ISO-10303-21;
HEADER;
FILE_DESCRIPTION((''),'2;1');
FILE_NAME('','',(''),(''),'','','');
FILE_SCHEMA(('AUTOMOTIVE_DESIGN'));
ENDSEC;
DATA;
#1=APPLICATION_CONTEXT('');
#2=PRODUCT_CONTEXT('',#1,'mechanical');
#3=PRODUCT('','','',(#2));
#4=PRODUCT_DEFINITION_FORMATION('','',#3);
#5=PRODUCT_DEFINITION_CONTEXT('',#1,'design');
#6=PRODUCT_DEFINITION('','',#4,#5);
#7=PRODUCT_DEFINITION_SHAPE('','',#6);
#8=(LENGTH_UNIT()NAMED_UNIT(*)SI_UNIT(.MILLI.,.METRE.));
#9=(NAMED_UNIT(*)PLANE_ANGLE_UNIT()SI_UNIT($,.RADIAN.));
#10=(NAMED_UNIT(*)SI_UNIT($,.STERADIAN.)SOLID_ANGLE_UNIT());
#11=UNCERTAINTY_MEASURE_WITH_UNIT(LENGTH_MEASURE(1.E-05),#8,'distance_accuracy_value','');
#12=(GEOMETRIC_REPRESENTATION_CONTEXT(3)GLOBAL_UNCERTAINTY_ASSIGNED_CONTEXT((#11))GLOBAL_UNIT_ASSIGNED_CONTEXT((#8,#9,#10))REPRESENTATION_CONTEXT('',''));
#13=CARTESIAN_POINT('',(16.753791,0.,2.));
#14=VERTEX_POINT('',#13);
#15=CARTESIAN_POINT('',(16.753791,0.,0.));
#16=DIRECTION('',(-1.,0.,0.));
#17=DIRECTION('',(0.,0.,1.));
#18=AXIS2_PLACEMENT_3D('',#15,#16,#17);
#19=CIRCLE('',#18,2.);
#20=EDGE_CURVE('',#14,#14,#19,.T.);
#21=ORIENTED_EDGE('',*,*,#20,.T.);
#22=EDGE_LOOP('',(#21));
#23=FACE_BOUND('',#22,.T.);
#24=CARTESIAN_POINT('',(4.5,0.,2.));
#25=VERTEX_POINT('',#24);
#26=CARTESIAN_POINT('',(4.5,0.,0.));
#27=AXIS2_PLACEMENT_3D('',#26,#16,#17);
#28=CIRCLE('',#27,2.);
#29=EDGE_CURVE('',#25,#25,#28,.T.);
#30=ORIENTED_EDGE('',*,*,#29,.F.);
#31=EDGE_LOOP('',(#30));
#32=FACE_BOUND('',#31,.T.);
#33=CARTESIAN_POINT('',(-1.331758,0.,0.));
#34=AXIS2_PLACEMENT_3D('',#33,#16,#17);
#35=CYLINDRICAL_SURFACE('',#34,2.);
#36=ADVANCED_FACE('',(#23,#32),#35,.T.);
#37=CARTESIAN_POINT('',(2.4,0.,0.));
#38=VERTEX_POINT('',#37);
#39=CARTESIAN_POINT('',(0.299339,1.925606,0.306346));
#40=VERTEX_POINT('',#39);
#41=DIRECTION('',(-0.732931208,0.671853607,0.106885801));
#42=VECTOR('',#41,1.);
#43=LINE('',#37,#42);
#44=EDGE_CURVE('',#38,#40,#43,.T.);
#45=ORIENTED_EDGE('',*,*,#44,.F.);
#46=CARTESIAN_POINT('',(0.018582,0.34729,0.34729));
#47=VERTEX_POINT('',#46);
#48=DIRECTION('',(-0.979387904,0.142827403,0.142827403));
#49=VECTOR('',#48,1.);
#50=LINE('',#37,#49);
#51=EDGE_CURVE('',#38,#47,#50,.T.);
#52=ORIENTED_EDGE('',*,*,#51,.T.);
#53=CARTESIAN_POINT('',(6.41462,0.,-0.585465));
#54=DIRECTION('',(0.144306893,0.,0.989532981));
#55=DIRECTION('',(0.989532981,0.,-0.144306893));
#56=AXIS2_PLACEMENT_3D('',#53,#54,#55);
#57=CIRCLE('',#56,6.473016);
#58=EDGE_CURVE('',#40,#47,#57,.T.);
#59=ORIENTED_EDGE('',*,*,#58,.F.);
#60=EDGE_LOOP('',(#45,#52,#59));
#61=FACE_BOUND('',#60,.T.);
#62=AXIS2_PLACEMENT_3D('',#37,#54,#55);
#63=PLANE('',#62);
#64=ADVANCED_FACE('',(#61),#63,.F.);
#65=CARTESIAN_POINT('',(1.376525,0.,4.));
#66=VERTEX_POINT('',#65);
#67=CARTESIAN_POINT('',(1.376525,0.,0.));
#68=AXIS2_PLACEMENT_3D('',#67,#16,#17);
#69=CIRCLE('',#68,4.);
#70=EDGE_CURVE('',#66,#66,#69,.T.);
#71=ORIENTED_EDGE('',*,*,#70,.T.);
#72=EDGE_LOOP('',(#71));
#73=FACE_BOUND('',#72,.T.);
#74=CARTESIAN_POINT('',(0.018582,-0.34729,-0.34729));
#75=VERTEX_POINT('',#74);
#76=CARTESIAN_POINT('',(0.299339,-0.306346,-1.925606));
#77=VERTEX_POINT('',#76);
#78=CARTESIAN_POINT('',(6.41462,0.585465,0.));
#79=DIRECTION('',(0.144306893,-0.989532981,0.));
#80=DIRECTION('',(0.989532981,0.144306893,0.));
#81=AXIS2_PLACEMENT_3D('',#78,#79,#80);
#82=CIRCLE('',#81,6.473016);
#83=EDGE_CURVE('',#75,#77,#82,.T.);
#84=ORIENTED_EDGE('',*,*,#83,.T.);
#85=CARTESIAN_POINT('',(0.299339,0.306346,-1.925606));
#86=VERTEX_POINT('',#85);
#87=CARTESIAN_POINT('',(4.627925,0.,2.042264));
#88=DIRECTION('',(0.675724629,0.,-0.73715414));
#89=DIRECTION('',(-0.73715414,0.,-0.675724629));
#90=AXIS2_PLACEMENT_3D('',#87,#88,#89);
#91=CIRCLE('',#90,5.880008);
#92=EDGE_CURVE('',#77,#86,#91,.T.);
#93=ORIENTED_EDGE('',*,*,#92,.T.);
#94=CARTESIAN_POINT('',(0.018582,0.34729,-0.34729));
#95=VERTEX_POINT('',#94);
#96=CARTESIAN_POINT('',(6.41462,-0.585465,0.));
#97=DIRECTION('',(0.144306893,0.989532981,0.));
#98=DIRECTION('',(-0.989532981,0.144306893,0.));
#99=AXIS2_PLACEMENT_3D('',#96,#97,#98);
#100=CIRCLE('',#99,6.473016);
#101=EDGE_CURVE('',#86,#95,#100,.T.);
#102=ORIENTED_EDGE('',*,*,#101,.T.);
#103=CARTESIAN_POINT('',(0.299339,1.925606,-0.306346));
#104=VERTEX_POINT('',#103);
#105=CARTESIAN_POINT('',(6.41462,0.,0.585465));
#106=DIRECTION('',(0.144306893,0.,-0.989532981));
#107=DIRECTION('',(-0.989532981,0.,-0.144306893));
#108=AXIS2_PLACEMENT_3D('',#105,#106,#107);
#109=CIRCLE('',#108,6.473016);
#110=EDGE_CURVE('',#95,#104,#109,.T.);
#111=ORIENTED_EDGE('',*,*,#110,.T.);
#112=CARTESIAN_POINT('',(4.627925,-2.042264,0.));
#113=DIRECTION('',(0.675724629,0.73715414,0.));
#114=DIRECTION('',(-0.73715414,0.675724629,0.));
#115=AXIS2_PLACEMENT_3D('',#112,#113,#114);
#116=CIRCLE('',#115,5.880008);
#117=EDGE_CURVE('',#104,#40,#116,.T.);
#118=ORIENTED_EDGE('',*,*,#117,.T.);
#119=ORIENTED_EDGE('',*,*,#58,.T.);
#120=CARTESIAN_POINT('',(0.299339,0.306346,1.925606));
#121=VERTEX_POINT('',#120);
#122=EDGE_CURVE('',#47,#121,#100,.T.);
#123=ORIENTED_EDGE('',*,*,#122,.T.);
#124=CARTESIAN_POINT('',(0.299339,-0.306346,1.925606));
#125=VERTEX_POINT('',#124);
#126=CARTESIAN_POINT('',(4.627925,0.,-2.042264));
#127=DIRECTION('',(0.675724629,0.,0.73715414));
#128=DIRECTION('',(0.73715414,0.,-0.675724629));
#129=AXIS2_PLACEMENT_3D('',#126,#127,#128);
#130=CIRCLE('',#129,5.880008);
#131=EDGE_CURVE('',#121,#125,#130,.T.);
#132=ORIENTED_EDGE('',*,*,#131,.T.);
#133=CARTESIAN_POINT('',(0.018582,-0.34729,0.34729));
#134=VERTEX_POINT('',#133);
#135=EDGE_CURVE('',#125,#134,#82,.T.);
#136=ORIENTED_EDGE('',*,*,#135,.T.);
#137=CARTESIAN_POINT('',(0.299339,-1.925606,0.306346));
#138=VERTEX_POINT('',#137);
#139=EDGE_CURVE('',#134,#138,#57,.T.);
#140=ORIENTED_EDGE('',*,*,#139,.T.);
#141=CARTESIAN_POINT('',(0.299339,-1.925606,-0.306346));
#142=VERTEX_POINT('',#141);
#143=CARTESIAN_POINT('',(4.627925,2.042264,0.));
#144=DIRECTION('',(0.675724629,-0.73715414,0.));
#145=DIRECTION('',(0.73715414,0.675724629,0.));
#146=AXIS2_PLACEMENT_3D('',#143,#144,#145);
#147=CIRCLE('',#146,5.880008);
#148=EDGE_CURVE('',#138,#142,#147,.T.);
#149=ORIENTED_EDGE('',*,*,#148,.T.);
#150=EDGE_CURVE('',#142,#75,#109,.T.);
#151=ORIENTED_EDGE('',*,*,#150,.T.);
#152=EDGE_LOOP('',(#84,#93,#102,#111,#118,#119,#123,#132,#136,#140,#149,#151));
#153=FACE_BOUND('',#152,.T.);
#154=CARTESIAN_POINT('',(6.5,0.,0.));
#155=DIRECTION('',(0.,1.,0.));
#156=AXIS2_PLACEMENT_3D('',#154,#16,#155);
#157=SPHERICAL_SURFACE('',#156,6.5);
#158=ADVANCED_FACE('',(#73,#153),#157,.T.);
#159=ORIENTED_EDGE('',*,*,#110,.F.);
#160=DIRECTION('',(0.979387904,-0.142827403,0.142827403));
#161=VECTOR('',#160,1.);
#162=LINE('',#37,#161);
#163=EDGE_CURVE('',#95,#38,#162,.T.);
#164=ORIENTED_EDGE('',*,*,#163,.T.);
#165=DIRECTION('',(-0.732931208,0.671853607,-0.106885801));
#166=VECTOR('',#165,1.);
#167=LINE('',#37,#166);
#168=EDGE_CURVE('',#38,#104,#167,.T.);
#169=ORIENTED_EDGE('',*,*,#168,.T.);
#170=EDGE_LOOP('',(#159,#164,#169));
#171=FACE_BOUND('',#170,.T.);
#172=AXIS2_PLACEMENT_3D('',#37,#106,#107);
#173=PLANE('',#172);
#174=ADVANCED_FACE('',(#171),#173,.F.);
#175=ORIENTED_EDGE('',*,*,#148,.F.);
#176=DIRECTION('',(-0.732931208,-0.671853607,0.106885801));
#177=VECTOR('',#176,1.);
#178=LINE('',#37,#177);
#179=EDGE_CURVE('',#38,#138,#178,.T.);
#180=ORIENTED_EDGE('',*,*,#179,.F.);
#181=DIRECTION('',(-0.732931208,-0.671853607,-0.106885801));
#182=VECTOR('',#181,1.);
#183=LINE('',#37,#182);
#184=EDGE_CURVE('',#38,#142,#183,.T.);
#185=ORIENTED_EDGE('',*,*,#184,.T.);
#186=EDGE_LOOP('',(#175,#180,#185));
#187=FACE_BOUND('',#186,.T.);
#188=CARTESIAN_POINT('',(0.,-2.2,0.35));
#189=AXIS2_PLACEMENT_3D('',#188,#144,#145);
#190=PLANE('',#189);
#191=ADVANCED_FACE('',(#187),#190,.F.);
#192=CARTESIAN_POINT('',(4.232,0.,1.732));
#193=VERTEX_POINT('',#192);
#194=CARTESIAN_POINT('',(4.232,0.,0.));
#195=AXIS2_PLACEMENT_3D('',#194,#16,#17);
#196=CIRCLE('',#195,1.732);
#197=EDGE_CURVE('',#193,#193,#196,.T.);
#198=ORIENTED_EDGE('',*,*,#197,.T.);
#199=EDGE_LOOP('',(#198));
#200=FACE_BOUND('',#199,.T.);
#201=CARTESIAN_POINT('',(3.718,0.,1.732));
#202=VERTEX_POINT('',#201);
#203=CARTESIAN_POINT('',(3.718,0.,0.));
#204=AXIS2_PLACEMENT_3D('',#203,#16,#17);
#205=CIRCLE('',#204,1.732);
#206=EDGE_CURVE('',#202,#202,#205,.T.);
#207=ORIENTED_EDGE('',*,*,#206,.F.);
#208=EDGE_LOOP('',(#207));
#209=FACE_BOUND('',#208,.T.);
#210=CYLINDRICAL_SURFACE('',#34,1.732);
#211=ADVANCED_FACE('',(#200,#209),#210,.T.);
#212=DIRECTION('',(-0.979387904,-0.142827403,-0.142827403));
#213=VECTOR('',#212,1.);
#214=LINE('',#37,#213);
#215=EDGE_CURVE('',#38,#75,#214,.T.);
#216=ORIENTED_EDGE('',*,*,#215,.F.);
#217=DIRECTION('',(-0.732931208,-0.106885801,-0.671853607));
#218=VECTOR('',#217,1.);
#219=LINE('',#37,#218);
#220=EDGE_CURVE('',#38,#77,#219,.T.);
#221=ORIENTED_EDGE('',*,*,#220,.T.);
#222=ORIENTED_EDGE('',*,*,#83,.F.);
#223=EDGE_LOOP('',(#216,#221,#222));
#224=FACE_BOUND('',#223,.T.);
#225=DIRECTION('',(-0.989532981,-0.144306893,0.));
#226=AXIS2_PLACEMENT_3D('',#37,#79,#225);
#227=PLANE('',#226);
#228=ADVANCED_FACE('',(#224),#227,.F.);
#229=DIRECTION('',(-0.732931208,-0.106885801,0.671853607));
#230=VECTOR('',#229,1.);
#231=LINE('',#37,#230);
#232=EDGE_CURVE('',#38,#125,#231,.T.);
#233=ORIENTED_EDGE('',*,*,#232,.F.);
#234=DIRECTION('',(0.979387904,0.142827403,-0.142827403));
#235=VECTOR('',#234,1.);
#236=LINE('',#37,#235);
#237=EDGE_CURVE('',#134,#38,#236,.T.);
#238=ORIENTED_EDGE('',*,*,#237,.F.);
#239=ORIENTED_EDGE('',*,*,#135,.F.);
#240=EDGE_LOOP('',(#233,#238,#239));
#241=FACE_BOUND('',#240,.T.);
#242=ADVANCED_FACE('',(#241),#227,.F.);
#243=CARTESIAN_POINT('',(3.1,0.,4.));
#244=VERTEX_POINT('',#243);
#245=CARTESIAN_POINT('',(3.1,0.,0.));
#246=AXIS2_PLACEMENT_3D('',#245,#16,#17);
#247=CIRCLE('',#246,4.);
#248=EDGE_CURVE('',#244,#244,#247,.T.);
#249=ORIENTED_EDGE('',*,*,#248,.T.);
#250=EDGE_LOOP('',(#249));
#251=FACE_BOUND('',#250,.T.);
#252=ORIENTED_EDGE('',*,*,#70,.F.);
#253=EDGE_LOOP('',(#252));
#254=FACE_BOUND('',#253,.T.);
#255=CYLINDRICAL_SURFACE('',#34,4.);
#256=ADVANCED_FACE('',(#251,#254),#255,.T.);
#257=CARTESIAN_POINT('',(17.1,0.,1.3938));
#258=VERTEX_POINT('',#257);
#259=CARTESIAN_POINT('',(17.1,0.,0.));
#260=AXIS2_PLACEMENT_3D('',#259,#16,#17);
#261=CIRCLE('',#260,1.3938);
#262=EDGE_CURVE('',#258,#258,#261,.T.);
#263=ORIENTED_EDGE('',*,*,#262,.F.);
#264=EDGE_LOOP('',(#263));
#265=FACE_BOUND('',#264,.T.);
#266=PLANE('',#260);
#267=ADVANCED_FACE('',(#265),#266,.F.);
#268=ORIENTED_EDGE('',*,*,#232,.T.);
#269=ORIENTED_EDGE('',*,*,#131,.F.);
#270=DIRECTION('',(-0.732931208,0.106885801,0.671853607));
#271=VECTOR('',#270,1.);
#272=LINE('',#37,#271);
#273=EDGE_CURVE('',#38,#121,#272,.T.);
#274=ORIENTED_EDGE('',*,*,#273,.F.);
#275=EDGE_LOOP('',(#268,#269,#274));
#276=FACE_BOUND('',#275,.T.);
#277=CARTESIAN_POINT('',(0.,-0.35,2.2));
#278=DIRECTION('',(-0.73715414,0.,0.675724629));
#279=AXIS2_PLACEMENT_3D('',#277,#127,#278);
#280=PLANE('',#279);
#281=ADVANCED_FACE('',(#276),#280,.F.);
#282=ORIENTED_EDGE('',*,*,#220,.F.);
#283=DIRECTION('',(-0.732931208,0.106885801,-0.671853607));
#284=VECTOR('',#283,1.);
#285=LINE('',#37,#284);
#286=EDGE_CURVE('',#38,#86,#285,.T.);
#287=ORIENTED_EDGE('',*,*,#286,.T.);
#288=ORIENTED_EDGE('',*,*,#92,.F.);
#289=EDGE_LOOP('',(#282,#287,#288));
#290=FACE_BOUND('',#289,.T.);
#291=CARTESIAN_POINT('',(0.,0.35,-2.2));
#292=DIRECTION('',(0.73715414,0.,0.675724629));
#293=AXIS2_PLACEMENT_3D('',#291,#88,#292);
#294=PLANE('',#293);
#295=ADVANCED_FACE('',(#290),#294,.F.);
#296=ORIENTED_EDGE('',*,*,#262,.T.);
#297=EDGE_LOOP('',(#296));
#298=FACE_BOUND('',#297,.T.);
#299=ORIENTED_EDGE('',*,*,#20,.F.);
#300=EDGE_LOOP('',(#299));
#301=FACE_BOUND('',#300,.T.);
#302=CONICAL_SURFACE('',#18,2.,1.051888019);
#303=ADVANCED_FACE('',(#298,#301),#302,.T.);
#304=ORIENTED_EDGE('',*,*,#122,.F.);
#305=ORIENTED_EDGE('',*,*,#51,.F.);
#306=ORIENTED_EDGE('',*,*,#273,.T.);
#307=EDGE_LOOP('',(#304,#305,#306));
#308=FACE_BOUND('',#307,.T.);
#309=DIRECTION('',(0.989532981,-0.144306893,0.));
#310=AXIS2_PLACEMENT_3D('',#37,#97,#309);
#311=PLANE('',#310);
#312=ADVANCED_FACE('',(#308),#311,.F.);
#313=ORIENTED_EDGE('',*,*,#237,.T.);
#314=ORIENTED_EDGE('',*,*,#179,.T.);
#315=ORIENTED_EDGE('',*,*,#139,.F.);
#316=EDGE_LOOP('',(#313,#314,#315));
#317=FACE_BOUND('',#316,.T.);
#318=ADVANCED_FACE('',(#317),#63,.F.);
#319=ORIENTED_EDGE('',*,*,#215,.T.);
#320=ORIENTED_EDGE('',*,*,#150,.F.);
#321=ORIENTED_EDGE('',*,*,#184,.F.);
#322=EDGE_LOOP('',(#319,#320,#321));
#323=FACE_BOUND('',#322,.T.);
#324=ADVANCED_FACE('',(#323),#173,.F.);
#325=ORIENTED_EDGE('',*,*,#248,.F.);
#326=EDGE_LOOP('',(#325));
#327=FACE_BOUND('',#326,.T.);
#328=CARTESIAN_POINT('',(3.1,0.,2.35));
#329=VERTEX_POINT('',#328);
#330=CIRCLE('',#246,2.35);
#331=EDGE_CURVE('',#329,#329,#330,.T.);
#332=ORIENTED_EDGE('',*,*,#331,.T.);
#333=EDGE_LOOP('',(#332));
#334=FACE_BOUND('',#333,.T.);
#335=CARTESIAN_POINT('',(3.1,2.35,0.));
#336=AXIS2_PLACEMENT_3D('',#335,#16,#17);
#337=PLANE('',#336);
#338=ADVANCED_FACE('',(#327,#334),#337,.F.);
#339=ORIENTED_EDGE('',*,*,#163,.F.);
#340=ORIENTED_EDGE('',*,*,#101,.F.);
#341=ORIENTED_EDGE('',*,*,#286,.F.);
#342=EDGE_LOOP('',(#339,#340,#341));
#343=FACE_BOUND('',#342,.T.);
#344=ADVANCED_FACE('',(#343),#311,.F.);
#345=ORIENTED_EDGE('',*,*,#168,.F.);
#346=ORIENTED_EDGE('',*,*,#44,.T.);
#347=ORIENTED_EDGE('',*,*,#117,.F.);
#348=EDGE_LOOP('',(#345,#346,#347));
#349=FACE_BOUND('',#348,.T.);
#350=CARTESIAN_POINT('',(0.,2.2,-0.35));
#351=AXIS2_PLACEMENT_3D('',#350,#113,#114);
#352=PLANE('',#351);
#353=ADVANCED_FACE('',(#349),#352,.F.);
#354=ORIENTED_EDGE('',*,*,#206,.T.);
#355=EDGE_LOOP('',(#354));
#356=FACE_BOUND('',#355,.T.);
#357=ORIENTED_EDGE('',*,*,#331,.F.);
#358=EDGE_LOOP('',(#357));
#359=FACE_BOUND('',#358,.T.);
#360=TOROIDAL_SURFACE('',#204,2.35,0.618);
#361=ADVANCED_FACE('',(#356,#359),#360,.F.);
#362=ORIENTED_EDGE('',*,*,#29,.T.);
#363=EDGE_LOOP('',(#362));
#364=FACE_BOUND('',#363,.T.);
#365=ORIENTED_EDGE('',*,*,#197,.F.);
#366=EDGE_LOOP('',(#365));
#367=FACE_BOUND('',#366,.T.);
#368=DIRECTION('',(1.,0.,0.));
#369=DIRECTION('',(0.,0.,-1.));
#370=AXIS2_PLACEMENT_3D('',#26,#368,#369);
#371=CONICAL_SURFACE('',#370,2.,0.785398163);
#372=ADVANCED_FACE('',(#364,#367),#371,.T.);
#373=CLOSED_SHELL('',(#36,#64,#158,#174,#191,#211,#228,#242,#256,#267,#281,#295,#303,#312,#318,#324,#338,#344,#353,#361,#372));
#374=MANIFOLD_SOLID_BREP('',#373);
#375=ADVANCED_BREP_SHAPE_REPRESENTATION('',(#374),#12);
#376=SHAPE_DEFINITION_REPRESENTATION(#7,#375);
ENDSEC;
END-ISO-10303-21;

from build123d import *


with BuildPart() as part:
    # 草图2 → Revolve 706 (revolve)
    with BuildSketch(Plane.XY, mode=Mode.PRIVATE) as revolve_706_sk:
        with BuildLine():
            Line((0, 0), (17.1, 0))
            Line((17.1, 0), (17.1, 2))
            Line((17.1, 2), (4.5, 2))
            Line((4.5, 2), (4.232, 1.732))
            Line((4.232, 1.732), (3.718, 1.732))
            ThreePointArc((3.718, 1.732), (3.281008009, 1.913008009), (3.1, 2.35))
            Line((3.1, 2.35), (3.1, 4))
            Line((3.1, 4), (1.376524617, 4))
            ThreePointArc((1.376524617, 4), (0.353757652, 2.115113473), (0, 0))
        make_face()
    revolve(revolve_706_sk.sketch.rotate(Axis((-1.331757704, 0, 0), (1, 0, 0)), 90), axis=Axis((-1.331757704, 0, 0), (1, 0, 0)))

    # 草图3 → 切除-旋转1 (revolve, cut)
    with BuildSketch(Plane.XY, mode=Mode.PRIVATE) as cut_revolve_1_sk:
        Polygon((16.753791204, 2), (17.453791204, 2), (17.1, 1.3938), align=None)
    revolve(cut_revolve_1_sk.sketch.rotate(Axis((-0.242766179, 0, 0), (1, 0, 0)), 90), axis=Axis((-0.242766179, 0, 0), (1, 0, 0)), mode=Mode.SUBTRACT)

    # 草图5 → 切除-放样1 section 0
    with BuildSketch(Plane(origin=(0, 0, 0), x_dir=(0, 0, -1), z_dir=(1, 0, 0)), mode=Mode.PRIVATE) as loft_1_s0:
        with BuildLine():
            Line((0.35, 2.2), (-0.35, 2.2))
            Line((-0.35, 2.2), (-0.35, -2.2))
            Line((-0.35, -2.2), (0.35, -2.2))
            Line((0.35, -2.2), (0.35, 2.2))
        make_face()
    loft_1 = loft([Vertex(2.4, 0, 0), loft_1_s0.sketch], mode=Mode.SUBTRACT)

    # 镜向1: 切除-放样1 across plane
    add(loft_1.mirror(Plane(origin=(0, 0, 0), x_dir=(0, 0.7071067811865462, 0.7071067811865488), z_dir=(0, -0.7071067811865488, 0.7071067811865462))), mode=Mode.SUBTRACT)


solid = part.part
